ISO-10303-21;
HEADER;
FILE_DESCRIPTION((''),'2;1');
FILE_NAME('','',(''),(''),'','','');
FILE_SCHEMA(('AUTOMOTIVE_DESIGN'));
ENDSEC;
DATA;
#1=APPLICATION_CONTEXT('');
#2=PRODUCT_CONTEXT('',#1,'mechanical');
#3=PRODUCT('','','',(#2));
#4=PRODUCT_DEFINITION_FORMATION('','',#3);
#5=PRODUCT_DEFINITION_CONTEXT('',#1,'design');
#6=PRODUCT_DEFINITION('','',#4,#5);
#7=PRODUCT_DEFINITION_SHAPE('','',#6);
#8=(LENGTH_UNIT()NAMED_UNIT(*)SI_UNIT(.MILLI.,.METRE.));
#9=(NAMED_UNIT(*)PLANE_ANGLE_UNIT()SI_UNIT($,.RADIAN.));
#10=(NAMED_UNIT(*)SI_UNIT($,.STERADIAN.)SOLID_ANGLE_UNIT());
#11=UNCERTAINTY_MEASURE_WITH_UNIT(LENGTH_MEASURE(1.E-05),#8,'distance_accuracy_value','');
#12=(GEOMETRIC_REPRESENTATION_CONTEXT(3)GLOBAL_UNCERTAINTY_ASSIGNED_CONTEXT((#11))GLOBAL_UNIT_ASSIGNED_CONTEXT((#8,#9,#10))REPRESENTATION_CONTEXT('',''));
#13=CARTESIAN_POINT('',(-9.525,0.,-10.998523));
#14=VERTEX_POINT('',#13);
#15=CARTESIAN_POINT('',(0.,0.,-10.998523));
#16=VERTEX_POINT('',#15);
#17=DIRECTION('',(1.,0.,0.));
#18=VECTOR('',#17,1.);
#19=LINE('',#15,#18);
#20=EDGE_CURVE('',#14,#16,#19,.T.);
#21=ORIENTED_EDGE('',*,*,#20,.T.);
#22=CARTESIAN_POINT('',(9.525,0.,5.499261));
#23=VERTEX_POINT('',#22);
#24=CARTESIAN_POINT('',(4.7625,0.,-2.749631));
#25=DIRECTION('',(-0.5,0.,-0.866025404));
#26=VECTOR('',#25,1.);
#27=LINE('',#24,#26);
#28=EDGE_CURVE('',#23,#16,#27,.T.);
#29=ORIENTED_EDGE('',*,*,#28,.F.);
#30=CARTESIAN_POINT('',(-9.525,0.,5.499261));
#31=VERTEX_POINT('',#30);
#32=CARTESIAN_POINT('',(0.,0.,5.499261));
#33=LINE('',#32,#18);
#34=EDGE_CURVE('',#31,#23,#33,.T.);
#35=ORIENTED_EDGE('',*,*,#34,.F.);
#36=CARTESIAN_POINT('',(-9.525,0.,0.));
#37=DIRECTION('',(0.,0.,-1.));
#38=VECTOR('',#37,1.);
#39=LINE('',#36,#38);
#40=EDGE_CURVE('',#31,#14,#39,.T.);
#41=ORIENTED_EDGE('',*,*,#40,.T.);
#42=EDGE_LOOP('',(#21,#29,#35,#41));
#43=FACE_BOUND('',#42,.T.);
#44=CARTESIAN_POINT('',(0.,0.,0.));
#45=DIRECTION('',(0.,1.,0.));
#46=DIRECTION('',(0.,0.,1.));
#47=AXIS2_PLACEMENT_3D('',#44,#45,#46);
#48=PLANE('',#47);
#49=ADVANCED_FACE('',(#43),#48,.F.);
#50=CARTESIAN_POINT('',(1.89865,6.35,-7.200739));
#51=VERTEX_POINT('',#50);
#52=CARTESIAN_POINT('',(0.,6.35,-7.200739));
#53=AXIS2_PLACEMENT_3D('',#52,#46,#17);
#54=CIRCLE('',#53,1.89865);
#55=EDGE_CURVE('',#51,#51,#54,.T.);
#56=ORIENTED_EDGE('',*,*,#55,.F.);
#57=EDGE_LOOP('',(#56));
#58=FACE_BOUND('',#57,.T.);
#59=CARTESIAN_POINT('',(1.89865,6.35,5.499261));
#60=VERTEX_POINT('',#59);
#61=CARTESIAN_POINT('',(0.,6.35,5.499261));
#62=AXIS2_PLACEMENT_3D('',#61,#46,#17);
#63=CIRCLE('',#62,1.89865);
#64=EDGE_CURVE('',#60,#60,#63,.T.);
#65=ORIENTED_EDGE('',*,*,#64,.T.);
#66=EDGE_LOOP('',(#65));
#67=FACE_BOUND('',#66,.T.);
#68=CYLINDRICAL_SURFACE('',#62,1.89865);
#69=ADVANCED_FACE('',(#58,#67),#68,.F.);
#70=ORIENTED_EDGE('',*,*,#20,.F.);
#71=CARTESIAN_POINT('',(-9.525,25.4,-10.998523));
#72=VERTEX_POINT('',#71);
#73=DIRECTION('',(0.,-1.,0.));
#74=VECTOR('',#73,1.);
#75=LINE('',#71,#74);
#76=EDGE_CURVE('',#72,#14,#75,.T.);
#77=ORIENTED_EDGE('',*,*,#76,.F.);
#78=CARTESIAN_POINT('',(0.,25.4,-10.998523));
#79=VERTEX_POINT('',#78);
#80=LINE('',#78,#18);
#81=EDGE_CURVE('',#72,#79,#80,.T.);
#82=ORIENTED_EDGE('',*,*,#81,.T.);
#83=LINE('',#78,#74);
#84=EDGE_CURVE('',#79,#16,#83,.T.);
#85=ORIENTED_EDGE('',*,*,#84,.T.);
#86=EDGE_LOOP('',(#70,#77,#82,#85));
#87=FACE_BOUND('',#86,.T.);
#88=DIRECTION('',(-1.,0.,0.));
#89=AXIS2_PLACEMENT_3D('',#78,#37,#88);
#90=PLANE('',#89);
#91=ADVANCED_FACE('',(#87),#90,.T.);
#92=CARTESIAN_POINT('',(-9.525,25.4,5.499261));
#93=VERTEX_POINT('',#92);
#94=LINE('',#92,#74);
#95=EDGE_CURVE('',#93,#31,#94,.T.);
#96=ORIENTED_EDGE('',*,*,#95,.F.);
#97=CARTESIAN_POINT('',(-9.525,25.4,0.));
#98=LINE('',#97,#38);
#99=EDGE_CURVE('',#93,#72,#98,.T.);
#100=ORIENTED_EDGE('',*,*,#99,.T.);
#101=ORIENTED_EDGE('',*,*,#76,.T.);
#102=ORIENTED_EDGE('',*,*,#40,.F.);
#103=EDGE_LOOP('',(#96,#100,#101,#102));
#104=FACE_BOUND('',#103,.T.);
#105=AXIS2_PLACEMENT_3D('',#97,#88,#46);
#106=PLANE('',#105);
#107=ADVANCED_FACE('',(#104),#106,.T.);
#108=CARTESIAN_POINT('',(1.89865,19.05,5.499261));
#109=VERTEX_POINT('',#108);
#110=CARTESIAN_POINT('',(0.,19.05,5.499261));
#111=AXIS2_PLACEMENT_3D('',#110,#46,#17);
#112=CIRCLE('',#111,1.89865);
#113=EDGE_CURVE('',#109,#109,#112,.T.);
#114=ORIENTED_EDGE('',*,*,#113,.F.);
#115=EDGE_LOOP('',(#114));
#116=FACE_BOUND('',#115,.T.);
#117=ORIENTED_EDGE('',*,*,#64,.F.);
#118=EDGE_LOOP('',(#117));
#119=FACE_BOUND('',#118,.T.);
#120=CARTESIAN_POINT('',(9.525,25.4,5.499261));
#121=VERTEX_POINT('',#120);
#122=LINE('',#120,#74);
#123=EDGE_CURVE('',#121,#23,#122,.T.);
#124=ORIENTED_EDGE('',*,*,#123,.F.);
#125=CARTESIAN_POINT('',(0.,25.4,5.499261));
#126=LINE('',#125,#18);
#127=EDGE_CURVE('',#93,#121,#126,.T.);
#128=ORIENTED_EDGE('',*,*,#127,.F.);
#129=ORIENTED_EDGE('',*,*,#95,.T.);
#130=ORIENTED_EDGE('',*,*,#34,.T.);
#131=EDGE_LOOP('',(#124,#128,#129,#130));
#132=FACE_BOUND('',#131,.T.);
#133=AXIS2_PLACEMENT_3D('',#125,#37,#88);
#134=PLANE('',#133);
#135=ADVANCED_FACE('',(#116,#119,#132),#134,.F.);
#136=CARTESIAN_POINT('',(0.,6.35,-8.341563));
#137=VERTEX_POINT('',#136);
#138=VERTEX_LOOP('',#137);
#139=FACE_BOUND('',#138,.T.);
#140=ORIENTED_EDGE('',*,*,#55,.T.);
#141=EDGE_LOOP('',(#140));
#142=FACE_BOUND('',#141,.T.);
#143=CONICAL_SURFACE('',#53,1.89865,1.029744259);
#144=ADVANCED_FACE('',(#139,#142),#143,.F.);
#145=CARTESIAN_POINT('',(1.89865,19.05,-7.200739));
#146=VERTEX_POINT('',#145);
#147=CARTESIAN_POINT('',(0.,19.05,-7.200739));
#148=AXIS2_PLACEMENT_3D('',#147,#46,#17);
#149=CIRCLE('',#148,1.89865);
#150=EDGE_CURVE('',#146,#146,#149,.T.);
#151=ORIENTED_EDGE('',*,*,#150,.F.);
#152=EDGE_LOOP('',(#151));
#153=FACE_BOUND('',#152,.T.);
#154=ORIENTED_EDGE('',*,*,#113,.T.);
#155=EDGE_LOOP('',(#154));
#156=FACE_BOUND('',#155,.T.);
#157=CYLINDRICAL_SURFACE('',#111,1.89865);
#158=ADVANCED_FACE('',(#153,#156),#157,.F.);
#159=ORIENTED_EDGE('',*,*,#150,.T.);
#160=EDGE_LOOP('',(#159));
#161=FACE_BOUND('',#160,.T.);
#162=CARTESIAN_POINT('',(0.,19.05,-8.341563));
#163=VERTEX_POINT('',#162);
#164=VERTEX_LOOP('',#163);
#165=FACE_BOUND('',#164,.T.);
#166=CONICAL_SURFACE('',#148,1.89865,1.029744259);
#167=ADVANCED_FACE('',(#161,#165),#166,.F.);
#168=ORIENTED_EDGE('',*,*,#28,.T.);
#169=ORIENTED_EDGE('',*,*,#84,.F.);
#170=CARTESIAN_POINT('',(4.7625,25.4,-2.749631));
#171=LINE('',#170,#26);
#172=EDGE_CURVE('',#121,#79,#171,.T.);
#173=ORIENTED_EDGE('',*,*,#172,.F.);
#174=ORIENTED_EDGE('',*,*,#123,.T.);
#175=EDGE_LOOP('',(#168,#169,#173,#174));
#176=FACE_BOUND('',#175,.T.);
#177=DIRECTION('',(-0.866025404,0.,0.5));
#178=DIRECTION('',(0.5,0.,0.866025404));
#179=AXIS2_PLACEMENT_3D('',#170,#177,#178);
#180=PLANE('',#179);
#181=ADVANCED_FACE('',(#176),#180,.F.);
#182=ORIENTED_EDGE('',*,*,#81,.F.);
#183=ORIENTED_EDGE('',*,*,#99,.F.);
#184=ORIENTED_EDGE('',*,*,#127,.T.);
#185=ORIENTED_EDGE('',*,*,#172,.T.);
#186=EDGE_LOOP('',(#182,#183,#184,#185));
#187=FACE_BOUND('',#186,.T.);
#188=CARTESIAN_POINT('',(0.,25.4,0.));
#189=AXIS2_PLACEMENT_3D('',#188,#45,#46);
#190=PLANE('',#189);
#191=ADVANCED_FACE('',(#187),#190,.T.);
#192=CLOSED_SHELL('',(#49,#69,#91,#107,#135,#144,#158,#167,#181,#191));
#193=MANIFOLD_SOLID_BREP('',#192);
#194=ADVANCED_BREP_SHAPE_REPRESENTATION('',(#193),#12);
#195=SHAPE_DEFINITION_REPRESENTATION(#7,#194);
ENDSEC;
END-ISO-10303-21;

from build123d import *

# Parameters (mm, degrees)
BOSS_EXTRUDE1_DEPTH       = 25.4
F_6_CLEARANCE_HOLE1_D     = 3.7973
F_6_CLEARANCE_HOLE1_DEPTH = 12.7
F_6_CLEARANCE_HOLE1_TIP   = 1.140824014


with BuildPart() as part:
    # Sketch1 → Boss-Extrude1 (new body)
    with BuildSketch(Plane(origin=(0, 0, 0), x_dir=(1, 0, 0), z_dir=(0, 1, 0))):
        Polygon((-9.525, 10.998522628), (0, 10.998522628), (-9.525, -5.499261314), align=None)
        Polygon((9.525, -5.499261314), (0, 10.998522628), (-9.525, -5.499261314), align=None)
    extrude(amount=BOSS_EXTRUDE1_DEPTH)

    # #6 Clearance Hole1
    with Locations(Plane(origin=(0, 19.05, 5.499261314), x_dir=(1, 0, 0), z_dir=(0, 0, 1))):
        with Locations((0, 0), (0, -12.7)):
            Hole(F_6_CLEARANCE_HOLE1_D / 2, depth=F_6_CLEARANCE_HOLE1_DEPTH)
            with Locations((0, 0, -(F_6_CLEARANCE_HOLE1_DEPTH + F_6_CLEARANCE_HOLE1_TIP / 2))):  # 118° drill point
                Cone(0, F_6_CLEARANCE_HOLE1_D / 2, F_6_CLEARANCE_HOLE1_TIP, mode=Mode.SUBTRACT)


solid = part.part
